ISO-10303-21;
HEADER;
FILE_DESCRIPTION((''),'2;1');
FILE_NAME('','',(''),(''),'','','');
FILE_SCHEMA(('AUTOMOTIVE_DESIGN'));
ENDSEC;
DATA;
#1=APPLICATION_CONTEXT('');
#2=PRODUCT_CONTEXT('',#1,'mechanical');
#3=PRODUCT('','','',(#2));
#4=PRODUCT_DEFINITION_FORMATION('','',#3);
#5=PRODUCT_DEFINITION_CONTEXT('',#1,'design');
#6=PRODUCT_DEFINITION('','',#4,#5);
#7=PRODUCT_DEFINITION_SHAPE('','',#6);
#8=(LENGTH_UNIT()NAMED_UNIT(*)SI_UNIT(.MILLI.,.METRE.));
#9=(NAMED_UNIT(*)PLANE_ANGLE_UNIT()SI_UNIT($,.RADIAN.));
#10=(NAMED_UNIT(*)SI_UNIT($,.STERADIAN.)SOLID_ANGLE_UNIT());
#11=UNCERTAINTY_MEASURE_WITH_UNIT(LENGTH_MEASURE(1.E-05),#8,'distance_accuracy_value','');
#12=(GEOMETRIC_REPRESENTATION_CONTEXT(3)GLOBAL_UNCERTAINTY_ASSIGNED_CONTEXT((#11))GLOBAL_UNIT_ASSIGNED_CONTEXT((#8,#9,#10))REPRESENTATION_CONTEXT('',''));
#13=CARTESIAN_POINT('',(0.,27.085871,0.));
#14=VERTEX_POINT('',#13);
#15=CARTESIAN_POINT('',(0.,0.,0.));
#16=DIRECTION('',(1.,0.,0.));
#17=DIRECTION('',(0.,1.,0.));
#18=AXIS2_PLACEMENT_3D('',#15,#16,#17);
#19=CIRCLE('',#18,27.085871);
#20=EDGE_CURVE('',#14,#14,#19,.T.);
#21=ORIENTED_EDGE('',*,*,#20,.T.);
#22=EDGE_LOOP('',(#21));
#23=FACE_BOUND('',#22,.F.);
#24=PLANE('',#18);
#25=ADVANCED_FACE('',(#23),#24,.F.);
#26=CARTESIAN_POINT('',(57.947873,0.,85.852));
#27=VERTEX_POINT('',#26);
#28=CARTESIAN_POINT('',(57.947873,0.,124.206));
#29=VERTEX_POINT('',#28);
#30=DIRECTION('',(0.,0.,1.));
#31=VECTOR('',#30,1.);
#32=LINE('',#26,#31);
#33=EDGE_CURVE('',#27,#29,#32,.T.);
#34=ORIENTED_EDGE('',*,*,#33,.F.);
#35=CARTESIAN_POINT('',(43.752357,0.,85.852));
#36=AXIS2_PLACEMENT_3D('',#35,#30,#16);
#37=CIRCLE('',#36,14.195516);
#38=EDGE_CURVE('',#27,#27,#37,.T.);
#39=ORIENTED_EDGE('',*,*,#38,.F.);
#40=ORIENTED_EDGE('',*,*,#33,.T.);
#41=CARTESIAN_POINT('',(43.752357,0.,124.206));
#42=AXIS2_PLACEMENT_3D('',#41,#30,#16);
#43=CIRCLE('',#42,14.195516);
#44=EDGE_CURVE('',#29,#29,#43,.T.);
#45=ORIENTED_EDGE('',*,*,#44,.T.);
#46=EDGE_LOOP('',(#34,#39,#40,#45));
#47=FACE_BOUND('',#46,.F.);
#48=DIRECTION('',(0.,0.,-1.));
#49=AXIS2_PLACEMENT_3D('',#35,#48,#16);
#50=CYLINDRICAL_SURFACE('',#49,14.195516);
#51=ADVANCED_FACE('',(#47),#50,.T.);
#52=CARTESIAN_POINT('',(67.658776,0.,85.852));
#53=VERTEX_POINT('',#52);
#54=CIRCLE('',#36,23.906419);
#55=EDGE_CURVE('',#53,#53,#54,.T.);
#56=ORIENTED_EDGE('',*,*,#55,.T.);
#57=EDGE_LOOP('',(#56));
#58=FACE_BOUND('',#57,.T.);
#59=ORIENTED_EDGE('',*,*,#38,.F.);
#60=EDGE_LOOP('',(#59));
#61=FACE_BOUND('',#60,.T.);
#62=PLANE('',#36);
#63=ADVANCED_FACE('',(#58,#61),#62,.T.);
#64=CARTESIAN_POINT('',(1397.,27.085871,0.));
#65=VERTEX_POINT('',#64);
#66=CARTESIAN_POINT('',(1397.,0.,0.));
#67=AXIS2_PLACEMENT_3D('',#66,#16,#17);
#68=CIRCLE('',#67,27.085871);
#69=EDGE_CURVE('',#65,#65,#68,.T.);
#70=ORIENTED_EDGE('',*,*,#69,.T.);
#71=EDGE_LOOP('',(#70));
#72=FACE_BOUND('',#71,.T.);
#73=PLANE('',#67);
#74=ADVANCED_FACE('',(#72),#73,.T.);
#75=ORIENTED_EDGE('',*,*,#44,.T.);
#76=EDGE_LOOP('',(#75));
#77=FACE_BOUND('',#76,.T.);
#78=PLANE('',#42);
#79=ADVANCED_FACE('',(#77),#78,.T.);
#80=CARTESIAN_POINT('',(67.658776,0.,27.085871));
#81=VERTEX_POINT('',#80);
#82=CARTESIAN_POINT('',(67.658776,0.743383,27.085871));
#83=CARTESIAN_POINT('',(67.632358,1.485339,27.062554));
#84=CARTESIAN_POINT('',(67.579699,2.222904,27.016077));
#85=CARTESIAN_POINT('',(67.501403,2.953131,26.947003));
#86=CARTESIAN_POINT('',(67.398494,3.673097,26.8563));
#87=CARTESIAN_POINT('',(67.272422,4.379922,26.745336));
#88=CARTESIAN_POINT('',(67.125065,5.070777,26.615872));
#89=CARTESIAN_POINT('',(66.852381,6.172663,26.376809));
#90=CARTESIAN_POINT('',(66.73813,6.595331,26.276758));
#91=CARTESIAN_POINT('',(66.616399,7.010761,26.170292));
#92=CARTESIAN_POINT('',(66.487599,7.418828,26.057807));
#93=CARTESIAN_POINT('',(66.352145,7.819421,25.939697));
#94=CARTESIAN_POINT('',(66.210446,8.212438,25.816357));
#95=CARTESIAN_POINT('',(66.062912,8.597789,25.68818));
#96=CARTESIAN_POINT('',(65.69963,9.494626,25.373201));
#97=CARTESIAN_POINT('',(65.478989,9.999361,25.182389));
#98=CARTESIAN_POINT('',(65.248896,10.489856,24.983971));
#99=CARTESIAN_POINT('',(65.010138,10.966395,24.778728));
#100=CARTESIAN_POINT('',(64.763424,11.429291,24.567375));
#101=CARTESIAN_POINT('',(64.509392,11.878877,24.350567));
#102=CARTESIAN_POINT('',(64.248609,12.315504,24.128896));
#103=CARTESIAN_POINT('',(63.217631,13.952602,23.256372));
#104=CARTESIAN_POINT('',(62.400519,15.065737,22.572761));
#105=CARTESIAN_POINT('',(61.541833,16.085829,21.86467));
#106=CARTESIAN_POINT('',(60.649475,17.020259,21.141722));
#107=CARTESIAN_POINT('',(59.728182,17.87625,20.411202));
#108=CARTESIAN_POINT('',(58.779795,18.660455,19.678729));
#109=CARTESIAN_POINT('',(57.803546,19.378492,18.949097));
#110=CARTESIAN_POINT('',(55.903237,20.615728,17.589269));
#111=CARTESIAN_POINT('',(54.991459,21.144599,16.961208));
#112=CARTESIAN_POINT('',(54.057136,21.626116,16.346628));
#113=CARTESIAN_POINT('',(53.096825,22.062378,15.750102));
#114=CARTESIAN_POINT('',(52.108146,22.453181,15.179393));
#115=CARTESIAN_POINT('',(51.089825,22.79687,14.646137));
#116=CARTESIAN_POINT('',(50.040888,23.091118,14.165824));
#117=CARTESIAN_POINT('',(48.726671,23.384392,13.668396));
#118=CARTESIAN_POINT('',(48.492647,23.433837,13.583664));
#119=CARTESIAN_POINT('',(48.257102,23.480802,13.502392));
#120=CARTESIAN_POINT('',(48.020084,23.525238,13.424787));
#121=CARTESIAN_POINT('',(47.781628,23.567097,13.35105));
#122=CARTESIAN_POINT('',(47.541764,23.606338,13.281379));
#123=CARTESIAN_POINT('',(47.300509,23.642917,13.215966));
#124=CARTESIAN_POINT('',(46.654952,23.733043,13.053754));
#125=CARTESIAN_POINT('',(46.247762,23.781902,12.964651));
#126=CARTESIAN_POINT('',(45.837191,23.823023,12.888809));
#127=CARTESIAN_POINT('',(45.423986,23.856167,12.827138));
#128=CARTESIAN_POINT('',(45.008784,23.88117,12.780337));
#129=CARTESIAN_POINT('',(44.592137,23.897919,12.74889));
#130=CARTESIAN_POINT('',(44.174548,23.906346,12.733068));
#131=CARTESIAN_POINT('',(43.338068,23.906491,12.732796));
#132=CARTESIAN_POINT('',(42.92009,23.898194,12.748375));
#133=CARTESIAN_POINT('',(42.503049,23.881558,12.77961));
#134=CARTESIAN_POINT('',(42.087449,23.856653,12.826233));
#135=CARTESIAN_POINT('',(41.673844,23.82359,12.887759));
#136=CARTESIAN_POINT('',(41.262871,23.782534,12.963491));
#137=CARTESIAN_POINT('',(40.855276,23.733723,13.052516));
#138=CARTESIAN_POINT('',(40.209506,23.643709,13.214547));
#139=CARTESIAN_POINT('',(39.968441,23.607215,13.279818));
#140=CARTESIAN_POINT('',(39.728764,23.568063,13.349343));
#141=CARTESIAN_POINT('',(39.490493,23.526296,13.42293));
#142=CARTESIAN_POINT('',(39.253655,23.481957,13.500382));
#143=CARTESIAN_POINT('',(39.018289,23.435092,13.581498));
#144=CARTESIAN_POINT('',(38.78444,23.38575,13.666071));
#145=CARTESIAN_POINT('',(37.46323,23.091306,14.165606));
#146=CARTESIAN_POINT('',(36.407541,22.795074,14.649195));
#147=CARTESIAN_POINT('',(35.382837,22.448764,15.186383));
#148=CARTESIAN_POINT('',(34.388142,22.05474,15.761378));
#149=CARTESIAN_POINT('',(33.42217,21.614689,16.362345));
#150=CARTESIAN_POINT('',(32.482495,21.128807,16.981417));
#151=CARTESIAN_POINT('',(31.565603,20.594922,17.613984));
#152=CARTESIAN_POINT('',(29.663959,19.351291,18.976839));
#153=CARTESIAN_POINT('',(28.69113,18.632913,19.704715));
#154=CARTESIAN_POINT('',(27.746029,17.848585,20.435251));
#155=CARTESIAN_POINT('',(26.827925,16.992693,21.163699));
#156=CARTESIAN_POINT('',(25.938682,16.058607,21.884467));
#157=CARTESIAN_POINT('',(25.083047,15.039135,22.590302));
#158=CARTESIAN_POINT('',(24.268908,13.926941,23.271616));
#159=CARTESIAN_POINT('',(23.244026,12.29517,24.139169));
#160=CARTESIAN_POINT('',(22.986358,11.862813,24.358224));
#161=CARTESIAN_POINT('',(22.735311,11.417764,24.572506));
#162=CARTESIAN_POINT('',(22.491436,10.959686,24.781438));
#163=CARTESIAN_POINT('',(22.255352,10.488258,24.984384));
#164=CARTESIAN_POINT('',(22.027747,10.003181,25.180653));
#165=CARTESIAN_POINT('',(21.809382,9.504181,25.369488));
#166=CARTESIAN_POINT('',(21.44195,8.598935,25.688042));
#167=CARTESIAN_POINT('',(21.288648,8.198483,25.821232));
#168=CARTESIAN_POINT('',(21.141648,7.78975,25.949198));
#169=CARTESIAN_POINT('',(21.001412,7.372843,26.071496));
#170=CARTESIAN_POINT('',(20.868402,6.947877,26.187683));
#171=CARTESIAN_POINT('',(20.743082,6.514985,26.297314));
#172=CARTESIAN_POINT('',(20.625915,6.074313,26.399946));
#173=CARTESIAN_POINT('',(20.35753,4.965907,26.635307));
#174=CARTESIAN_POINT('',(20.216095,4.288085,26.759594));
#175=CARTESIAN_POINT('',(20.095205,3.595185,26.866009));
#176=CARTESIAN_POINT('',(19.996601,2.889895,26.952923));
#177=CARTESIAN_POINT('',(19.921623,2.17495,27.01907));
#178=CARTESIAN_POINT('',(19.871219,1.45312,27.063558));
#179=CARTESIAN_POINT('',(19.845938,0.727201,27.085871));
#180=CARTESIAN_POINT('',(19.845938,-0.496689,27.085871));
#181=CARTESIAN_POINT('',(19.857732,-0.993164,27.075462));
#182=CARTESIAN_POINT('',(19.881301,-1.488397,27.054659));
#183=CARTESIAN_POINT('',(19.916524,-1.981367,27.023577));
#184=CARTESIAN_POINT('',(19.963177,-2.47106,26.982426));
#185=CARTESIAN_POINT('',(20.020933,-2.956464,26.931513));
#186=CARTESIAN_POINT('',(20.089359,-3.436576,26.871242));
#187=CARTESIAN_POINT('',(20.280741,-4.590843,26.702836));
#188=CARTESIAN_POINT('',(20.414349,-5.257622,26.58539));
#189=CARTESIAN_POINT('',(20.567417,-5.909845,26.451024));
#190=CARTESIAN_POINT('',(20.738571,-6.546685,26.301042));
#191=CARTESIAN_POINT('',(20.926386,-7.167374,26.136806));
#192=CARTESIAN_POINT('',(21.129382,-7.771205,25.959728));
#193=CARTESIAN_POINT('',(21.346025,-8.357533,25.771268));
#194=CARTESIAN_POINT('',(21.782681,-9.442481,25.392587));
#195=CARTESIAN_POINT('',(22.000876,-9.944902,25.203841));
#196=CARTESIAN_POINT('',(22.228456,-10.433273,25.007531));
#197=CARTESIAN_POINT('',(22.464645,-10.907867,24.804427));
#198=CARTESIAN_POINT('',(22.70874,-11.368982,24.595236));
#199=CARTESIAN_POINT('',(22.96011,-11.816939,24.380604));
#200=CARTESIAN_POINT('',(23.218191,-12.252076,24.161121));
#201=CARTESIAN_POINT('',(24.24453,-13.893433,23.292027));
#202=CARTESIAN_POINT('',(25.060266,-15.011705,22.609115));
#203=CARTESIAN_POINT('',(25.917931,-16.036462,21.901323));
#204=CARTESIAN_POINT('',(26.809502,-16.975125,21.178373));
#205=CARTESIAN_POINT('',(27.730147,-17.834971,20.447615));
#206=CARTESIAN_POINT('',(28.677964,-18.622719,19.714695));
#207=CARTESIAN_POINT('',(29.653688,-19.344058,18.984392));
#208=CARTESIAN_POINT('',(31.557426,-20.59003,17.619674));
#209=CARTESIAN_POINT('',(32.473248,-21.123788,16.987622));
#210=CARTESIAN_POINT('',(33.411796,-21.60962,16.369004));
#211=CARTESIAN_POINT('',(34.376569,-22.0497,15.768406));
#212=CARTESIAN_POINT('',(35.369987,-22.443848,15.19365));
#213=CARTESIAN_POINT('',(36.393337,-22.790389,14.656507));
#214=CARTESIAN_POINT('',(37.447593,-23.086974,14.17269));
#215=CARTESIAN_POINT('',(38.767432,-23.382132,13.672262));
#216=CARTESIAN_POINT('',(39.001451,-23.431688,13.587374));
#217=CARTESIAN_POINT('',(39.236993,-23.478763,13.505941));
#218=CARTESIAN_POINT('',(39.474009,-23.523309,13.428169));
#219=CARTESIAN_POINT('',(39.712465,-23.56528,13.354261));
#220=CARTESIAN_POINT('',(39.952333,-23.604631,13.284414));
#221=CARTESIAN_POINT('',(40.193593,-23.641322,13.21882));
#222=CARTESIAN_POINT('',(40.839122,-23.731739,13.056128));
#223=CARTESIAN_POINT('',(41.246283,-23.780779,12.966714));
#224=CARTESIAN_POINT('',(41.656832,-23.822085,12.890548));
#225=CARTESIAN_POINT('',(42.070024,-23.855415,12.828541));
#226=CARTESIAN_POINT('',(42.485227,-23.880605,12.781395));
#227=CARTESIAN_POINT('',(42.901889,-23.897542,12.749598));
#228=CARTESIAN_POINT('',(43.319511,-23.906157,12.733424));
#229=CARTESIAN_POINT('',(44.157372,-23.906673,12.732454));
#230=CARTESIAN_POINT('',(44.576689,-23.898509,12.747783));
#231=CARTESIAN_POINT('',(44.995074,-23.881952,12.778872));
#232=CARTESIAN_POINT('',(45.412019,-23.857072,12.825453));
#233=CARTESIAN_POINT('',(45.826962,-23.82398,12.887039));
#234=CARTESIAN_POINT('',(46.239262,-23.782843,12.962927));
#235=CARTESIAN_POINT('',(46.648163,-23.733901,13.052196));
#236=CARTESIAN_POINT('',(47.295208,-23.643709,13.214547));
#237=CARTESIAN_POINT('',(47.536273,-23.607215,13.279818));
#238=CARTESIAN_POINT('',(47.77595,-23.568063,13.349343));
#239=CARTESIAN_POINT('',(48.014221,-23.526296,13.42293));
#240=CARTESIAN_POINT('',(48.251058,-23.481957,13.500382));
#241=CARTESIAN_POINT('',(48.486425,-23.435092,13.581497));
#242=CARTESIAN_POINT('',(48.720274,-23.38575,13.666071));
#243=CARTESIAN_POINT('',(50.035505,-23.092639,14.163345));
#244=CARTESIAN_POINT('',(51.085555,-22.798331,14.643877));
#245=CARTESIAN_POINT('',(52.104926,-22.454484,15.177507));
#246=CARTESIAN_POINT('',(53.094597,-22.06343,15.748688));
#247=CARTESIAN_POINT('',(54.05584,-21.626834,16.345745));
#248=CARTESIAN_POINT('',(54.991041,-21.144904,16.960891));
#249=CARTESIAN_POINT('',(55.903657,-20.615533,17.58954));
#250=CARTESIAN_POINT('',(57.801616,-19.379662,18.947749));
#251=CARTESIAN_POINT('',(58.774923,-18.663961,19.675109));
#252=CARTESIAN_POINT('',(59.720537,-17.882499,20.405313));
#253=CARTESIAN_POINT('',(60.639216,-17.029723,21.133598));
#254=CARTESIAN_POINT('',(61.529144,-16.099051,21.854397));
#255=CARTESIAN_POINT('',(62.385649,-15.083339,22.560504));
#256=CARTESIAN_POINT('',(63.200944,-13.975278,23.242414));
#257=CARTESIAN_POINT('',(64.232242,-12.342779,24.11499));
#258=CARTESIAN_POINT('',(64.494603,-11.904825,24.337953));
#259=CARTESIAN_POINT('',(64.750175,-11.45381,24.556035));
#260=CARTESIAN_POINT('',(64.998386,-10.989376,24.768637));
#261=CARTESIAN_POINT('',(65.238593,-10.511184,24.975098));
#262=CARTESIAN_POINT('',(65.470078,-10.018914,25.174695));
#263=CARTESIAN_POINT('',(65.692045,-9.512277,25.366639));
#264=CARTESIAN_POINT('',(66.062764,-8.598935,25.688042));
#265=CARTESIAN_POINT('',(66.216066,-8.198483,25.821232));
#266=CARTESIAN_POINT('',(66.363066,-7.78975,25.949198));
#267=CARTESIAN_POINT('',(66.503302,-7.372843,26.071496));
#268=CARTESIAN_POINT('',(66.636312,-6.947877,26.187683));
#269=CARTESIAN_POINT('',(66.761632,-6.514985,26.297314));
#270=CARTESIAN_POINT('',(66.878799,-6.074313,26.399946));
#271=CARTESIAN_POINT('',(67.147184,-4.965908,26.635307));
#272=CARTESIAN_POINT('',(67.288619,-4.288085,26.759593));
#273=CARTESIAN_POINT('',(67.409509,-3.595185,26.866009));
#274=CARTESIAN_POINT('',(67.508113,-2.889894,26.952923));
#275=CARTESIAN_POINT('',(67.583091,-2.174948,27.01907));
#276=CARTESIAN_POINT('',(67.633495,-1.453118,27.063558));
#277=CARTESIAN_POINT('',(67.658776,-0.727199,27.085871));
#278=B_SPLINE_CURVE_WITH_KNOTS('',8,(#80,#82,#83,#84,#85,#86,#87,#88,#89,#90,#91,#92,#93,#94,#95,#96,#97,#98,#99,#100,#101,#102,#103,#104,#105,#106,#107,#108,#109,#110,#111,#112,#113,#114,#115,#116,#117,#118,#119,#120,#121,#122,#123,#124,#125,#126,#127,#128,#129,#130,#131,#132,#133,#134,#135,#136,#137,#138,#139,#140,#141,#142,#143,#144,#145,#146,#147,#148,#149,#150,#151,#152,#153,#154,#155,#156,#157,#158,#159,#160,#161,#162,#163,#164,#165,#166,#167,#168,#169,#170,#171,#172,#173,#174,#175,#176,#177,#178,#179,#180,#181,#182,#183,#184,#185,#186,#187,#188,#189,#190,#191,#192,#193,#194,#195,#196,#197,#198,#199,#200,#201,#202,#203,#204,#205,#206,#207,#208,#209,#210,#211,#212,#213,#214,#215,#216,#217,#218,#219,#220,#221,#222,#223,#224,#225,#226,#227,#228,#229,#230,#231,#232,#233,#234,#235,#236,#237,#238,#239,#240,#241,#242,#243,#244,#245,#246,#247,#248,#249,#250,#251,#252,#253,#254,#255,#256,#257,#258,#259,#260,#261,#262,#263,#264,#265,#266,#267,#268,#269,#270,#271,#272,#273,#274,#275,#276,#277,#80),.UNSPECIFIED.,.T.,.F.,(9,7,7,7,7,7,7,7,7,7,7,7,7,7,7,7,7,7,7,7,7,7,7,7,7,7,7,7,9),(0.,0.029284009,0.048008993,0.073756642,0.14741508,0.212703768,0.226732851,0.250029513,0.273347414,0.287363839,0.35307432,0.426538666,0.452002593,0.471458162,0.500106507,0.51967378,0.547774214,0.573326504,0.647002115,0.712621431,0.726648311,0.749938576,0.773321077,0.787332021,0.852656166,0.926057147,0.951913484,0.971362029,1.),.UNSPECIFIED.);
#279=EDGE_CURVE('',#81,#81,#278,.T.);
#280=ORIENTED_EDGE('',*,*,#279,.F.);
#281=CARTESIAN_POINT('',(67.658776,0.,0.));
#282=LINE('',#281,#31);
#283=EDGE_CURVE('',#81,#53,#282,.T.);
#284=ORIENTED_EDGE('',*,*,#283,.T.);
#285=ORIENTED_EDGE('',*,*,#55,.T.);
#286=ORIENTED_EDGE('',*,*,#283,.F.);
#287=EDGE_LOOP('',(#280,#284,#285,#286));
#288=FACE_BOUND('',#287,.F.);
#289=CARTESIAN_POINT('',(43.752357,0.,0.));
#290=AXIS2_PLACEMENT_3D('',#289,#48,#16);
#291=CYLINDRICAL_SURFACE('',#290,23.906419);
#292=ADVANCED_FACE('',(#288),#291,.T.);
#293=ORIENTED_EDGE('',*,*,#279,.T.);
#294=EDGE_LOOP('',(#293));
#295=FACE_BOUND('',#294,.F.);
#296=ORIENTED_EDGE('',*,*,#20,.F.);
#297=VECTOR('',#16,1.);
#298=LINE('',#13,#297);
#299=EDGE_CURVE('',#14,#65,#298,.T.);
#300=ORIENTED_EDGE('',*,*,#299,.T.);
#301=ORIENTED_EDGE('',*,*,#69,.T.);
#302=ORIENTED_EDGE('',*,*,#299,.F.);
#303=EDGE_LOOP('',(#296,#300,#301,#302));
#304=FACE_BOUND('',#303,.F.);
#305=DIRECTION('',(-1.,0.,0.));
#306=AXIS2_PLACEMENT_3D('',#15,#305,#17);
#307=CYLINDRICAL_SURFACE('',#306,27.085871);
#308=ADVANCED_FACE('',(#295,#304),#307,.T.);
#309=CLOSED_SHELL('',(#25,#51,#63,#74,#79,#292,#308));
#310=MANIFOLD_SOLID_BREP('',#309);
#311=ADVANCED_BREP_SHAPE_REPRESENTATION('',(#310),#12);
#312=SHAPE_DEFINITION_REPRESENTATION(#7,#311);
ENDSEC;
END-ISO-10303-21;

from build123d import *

# Parameters (mm, degrees)
F0_R     = 27.085871
F1_DEPTH = 1397
F2_R     = 23.906419
F3_DEPTH = 85.852
F4_R     = 14.195516
F5_DEPTH = 38.354


with BuildPart() as f1:
    # F0 (on Right) → F1 (new body)
    with BuildSketch(Plane.YZ):
        Circle(F0_R)
    extrude(amount=F1_DEPTH)

    # F2 (on Top) → F3 (join)
    with BuildSketch(Plane.XY):
        with Locations((43.752357, 0)):
            Circle(F2_R)
    extrude(amount=F3_DEPTH)

    # F4 (on face) → F5 (join)
    with BuildSketch(Plane.XY.offset(85.852)):
        with Locations((43.752357, 0)):
            Circle(F4_R)
    extrude(amount=F5_DEPTH)


solid = f1.part
